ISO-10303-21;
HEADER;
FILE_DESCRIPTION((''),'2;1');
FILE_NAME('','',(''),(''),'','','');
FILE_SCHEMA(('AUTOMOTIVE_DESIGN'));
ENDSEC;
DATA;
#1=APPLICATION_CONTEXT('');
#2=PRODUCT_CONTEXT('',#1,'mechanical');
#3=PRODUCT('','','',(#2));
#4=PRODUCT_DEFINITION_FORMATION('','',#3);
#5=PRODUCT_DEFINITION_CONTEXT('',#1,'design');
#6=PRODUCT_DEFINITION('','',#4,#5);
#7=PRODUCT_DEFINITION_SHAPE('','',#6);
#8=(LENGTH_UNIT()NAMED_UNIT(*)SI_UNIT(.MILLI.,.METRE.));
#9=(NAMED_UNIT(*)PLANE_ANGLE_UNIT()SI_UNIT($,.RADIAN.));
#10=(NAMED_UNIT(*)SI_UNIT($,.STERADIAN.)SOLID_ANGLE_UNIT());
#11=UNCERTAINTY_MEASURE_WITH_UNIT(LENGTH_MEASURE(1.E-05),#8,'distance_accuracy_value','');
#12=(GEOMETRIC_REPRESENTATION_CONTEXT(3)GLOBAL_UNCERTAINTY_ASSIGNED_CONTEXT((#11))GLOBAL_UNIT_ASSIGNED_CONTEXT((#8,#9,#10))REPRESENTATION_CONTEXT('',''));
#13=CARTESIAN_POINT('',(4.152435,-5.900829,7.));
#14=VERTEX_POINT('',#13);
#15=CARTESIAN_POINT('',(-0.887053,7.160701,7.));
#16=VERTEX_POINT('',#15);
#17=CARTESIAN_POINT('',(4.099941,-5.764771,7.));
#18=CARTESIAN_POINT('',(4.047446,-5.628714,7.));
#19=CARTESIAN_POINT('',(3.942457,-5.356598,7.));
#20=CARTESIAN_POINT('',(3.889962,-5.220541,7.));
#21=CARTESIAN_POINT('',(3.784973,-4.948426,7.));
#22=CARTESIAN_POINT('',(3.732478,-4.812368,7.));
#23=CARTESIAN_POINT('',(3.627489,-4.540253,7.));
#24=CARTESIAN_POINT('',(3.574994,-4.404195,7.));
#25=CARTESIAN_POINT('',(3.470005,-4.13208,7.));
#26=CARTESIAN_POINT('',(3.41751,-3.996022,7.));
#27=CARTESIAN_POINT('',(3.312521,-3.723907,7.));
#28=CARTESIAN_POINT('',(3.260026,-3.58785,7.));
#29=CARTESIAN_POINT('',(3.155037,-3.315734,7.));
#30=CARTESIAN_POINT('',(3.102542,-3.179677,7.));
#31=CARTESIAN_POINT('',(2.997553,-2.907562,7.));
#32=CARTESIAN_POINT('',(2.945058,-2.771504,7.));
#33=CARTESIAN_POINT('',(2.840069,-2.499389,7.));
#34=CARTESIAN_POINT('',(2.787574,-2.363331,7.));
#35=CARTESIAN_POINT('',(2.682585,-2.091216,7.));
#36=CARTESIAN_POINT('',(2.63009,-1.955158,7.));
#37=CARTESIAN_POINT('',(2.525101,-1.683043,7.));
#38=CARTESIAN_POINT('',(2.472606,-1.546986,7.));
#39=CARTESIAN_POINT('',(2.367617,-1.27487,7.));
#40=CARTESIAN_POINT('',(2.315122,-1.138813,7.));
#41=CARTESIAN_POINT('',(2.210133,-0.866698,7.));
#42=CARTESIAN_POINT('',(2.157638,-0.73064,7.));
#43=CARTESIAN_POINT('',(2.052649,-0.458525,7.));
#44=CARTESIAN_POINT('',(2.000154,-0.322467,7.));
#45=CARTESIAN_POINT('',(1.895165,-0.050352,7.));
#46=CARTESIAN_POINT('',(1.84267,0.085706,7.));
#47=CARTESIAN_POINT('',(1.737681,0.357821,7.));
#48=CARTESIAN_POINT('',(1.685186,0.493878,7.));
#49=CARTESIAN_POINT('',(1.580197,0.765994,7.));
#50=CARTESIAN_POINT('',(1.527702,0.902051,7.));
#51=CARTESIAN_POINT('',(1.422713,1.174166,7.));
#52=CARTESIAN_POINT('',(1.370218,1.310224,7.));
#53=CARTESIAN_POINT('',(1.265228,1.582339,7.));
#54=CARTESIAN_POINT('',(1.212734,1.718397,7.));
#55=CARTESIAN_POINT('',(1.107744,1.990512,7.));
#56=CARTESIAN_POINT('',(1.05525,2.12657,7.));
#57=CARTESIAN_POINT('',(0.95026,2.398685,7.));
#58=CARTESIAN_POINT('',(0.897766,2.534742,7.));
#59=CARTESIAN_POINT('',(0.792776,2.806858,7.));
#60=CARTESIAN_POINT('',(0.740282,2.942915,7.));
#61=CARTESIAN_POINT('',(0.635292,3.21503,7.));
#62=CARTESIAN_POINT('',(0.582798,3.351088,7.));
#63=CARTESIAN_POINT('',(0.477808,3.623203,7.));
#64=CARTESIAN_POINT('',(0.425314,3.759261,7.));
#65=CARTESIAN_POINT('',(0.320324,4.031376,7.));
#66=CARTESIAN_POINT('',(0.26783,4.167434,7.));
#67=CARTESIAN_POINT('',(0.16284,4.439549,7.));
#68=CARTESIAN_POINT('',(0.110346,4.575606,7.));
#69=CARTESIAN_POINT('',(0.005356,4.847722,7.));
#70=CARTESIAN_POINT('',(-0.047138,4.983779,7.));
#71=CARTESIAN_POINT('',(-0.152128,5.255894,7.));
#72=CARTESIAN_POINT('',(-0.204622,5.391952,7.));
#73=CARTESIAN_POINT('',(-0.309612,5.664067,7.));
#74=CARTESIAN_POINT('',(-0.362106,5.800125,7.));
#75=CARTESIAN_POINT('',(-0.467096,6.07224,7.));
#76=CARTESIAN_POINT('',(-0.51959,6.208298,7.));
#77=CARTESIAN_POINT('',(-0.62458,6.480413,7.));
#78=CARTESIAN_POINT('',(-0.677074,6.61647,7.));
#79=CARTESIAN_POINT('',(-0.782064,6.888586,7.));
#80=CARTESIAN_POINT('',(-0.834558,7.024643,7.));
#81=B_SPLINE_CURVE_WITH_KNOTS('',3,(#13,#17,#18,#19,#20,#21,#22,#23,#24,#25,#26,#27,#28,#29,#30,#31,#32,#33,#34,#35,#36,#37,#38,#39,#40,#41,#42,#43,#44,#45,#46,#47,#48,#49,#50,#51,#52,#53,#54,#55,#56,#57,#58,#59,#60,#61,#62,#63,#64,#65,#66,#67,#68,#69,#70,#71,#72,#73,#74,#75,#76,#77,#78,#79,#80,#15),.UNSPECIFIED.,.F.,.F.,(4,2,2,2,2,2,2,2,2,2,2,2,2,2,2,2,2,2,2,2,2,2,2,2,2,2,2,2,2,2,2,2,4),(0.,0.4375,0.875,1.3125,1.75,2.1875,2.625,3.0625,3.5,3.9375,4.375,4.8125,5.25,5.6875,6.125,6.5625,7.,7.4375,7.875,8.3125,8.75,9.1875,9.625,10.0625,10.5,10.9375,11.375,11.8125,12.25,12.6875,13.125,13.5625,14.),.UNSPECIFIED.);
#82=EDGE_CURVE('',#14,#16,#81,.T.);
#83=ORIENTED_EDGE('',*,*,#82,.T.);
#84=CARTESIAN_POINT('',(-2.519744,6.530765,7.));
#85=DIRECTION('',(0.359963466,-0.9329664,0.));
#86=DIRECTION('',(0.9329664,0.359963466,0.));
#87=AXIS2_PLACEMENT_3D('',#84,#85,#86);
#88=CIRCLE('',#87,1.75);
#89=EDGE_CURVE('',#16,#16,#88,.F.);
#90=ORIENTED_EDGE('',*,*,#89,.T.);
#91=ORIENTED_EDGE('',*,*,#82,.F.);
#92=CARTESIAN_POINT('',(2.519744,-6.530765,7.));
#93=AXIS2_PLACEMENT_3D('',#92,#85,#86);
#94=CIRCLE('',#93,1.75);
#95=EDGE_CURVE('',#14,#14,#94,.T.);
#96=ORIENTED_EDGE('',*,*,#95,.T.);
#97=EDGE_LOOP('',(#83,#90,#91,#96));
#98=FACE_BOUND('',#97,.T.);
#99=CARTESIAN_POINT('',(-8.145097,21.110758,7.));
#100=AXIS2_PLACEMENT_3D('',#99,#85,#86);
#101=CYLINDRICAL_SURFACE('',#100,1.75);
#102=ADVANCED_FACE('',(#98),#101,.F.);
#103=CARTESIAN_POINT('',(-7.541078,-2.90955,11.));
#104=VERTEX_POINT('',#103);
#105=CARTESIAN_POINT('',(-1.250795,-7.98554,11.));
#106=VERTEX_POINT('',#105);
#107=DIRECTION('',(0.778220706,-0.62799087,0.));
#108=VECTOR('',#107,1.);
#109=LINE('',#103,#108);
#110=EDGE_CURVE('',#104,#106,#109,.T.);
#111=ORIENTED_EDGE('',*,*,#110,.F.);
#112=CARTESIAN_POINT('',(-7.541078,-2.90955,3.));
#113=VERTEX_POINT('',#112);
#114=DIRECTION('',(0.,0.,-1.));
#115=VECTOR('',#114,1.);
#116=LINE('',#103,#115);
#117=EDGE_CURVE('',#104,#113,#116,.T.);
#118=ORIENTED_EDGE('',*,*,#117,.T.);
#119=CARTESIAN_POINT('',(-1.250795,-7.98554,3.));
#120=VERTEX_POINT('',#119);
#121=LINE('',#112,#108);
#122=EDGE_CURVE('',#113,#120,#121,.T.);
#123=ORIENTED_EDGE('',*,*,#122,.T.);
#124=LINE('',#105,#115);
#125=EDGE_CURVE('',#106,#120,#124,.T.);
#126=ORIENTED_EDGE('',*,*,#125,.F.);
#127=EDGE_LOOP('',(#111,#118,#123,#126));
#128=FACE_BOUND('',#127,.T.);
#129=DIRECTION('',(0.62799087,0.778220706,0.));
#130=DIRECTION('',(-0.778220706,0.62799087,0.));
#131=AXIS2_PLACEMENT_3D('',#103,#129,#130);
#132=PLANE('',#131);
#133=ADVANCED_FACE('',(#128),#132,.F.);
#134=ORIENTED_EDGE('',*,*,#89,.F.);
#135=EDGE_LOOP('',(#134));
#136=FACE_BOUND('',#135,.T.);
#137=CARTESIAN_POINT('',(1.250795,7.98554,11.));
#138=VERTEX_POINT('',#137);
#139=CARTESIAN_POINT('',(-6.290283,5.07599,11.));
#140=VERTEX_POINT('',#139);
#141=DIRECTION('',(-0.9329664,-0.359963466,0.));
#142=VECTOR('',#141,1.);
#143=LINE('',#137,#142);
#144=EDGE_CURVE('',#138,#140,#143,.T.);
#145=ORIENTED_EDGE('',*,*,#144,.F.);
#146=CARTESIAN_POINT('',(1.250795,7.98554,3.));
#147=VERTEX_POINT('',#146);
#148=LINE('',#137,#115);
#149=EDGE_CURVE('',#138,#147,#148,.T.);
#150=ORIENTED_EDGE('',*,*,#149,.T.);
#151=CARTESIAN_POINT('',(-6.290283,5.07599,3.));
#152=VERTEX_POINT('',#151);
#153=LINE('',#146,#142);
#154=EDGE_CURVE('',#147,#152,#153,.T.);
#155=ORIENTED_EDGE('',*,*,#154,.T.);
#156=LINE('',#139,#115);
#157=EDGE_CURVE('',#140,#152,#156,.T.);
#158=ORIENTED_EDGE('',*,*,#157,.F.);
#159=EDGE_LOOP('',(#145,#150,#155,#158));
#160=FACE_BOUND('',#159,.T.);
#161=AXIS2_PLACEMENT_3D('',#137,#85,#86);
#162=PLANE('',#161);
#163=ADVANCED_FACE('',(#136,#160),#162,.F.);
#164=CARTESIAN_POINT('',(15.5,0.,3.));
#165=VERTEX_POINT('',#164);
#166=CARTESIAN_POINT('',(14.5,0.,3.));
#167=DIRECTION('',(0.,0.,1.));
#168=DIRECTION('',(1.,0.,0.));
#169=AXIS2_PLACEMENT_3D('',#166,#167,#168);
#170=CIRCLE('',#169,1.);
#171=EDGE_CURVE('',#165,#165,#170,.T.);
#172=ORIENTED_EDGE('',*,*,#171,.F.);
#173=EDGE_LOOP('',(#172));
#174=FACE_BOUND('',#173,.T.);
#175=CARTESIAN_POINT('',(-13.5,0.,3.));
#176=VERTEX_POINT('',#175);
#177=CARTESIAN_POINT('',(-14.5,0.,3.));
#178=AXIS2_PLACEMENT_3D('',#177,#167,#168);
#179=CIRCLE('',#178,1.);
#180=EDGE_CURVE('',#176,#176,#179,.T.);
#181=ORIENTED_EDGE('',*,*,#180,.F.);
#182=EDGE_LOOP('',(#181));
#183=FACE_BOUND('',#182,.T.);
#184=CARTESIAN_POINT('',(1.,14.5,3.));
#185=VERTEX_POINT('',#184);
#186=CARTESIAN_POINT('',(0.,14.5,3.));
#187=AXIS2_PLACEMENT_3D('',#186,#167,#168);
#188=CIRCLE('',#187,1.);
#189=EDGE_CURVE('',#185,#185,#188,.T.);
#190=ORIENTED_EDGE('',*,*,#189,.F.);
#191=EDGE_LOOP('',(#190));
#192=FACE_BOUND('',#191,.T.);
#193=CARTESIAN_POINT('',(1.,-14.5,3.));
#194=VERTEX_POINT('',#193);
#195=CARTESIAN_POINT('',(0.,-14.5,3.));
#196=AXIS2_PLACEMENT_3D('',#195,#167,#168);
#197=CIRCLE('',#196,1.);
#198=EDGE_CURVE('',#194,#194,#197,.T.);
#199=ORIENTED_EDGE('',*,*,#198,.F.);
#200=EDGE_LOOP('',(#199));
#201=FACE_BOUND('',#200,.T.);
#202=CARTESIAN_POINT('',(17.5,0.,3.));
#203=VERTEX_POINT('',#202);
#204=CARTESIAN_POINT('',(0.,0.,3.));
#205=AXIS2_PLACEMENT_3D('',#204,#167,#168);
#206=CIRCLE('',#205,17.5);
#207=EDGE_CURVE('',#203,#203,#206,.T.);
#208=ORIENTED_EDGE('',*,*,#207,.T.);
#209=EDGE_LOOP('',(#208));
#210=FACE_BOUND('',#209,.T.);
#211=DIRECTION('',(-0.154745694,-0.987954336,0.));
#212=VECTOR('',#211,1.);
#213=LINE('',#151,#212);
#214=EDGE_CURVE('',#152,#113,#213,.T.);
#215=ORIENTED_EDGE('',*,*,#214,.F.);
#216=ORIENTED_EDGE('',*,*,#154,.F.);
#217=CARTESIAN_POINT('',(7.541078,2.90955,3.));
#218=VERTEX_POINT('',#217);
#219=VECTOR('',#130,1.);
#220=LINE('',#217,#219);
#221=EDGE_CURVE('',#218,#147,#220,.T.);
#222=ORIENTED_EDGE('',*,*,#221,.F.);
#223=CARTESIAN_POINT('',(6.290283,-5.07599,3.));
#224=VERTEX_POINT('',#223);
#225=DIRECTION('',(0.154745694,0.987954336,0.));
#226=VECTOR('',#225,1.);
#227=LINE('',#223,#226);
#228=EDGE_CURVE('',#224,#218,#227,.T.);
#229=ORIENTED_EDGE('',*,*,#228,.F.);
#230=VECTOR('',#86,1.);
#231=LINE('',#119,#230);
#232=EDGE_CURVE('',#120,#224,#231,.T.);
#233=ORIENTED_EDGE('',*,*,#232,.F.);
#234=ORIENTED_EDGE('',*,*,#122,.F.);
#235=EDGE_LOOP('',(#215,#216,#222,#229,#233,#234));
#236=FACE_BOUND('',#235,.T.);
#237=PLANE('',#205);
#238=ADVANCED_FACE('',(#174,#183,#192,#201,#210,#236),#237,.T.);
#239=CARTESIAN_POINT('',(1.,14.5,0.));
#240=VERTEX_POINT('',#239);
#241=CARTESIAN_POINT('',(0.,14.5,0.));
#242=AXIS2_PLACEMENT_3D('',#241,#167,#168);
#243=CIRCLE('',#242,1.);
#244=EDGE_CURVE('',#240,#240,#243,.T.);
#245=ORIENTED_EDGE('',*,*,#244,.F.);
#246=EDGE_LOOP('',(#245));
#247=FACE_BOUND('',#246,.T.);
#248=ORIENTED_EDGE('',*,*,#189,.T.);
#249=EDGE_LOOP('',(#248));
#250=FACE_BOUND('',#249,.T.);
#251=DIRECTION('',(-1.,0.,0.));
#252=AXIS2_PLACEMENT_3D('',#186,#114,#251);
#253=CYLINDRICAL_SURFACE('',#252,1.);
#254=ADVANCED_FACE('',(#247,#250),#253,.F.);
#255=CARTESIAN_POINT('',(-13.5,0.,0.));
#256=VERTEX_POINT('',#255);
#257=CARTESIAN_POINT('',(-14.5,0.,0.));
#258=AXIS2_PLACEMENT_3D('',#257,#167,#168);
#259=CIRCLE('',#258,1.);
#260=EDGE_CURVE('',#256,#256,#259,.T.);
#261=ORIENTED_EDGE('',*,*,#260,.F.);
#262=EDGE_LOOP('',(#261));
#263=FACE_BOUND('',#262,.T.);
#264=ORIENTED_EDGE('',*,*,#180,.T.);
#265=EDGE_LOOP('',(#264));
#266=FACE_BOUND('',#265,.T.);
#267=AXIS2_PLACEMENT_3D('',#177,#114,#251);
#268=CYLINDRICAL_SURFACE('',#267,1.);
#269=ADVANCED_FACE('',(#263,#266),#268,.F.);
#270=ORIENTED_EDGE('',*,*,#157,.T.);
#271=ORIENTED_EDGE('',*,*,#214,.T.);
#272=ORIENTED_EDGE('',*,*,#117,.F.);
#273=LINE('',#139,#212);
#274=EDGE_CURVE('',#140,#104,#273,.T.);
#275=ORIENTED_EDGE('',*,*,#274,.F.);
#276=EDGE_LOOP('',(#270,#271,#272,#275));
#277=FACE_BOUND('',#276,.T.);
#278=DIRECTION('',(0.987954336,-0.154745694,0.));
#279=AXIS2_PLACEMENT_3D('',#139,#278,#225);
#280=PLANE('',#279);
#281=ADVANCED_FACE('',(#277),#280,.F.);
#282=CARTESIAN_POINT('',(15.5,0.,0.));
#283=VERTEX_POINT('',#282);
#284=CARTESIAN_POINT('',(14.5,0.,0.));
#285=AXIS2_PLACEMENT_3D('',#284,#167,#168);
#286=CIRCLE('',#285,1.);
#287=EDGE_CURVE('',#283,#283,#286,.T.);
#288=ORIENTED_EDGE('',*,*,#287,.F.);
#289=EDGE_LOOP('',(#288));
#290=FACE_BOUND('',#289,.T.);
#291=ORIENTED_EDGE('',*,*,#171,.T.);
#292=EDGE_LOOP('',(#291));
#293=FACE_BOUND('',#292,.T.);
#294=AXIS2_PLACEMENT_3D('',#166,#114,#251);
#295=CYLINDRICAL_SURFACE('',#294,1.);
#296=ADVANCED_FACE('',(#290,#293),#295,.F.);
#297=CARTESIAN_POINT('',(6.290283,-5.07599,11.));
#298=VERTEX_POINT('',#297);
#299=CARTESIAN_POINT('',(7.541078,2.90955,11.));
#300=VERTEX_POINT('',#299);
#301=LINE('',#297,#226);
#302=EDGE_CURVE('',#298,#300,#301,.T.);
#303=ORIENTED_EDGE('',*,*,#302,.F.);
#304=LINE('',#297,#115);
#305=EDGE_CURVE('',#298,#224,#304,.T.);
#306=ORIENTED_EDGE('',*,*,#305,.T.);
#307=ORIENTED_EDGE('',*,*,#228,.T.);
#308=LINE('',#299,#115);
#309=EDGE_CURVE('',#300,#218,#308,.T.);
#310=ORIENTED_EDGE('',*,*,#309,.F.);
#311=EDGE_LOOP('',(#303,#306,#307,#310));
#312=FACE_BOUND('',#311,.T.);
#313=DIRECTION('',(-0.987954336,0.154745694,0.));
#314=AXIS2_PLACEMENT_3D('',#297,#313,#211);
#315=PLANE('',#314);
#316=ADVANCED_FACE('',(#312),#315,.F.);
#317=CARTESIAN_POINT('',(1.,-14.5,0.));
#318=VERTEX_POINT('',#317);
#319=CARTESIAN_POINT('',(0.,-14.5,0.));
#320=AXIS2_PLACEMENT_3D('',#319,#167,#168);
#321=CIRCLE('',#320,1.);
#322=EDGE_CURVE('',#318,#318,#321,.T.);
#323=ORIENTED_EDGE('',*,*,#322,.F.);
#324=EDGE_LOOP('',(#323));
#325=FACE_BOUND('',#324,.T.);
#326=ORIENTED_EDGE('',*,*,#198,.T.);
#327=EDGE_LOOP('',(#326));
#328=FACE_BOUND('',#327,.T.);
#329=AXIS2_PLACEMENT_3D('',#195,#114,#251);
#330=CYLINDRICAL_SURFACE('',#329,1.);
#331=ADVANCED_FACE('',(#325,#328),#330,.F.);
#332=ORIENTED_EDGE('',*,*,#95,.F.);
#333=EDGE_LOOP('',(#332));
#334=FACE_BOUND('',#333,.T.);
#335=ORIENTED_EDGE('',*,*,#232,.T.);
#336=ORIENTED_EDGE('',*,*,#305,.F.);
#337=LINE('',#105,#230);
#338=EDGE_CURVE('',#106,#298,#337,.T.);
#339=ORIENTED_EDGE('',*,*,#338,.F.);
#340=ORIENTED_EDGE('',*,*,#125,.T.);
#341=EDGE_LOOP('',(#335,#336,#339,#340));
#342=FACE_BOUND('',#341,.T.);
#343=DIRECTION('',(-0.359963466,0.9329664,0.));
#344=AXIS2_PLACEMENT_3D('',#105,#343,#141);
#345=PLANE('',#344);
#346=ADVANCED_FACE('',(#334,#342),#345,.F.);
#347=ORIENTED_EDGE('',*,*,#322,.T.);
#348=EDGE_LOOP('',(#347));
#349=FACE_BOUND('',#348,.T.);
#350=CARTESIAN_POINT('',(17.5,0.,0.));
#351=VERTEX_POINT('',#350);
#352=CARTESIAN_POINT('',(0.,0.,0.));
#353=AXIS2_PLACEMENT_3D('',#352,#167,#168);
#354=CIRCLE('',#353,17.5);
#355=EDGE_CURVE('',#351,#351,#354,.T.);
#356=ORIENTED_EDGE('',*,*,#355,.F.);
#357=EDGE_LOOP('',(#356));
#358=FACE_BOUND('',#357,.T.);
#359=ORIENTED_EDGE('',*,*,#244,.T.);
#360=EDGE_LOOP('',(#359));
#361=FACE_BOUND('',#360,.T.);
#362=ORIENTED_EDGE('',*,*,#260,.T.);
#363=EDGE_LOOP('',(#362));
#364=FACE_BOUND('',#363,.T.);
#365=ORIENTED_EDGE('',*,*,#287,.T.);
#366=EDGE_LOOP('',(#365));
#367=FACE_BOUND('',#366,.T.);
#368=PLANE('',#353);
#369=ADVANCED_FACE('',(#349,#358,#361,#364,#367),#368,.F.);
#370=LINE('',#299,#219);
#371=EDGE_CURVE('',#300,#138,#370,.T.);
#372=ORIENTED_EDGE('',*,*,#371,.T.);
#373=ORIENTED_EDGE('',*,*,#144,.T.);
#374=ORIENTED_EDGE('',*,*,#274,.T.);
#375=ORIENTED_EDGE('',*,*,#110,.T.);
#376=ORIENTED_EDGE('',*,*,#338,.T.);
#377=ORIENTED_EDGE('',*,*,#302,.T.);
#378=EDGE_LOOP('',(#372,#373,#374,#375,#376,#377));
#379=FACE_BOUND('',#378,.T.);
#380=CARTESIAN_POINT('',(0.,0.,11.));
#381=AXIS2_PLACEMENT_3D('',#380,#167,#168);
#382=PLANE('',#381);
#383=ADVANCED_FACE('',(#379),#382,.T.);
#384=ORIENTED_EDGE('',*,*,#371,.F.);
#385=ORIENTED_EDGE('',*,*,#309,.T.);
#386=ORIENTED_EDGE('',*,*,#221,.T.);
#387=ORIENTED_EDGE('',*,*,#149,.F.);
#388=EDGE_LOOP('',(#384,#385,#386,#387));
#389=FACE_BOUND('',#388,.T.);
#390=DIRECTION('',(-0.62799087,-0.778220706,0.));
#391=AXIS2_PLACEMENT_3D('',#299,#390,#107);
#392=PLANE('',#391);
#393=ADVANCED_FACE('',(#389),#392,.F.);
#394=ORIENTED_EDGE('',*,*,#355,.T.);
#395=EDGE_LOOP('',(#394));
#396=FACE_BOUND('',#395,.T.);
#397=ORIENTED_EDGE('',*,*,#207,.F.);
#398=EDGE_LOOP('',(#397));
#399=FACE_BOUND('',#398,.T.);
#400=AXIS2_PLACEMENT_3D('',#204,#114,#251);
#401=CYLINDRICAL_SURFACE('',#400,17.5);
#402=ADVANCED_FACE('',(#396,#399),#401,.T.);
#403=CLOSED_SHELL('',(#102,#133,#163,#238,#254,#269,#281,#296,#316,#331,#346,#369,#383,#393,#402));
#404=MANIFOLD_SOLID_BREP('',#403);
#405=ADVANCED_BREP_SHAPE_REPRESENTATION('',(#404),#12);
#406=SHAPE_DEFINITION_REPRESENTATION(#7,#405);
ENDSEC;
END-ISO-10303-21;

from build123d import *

# Parameters (mm, degrees)
CROQUIS1_R              = 17.5
CROQUIS1_R_2            = 1
SALIENTE_EXTRUIR1_DEPTH = 3
SALIENTE_EXTRUIR2_DEPTH = 8
CORTAR_EXTRUIR1_REACH   = 35.155
CROQUIS3_R              = 1.75


with BuildPart() as part:
    # Croquis1 → Saliente-Extruir1 (new body)
    with BuildSketch(Plane.XY):
        Circle(CROQUIS1_R)
        with Locations((0, 14.5)):
            Circle(CROQUIS1_R_2, mode=Mode.SUBTRACT)
        with Locations((14.5, 0)):
            Circle(CROQUIS1_R_2, mode=Mode.SUBTRACT)
        with Locations((0, -14.5)):
            Circle(CROQUIS1_R_2, mode=Mode.SUBTRACT)
        with Locations((-14.5, 0)):
            Circle(CROQUIS1_R_2, mode=Mode.SUBTRACT)
    extrude(amount=SALIENTE_EXTRUIR1_DEPTH)

    # Croquis2 → Saliente-Extruir2 (add)
    with BuildSketch(Plane.XY.offset(3)):
        Polygon((1.250794552, 7.985539827), (-6.290283076, 5.075989771), (-7.541077629, -2.909550056), (-1.250794552, -7.985539827), (6.290283076, -5.075989771), (7.541077629, 2.909550056), align=None)
    extrude(amount=SALIENTE_EXTRUIR2_DEPTH)

    # Croquis3 → Cortar-Extruir1 (cut, up to next)
    with BuildSketch(Plane(origin=(2.519744262, -6.530764799, 0), x_dir=(0.9329663997946839, 0.35996346599918455, 0), z_dir=(0.35996346599918455, -0.9329663997946839, 0)), mode=Mode.PRIVATE) as cortar_extruir1_sk1:
        with Locations((0, 7)):
            Circle(CROQUIS3_R)
    cortar_extruir1_tool1 = extrude(cortar_extruir1_sk1.sketch, amount=-CORTAR_EXTRUIR1_REACH, mode=Mode.PRIVATE) & part.part
    add(cortar_extruir1_tool1.solids().sort_by_distance((2.519744, -6.530765, 7))[0], mode=Mode.SUBTRACT)


solid = part.part
